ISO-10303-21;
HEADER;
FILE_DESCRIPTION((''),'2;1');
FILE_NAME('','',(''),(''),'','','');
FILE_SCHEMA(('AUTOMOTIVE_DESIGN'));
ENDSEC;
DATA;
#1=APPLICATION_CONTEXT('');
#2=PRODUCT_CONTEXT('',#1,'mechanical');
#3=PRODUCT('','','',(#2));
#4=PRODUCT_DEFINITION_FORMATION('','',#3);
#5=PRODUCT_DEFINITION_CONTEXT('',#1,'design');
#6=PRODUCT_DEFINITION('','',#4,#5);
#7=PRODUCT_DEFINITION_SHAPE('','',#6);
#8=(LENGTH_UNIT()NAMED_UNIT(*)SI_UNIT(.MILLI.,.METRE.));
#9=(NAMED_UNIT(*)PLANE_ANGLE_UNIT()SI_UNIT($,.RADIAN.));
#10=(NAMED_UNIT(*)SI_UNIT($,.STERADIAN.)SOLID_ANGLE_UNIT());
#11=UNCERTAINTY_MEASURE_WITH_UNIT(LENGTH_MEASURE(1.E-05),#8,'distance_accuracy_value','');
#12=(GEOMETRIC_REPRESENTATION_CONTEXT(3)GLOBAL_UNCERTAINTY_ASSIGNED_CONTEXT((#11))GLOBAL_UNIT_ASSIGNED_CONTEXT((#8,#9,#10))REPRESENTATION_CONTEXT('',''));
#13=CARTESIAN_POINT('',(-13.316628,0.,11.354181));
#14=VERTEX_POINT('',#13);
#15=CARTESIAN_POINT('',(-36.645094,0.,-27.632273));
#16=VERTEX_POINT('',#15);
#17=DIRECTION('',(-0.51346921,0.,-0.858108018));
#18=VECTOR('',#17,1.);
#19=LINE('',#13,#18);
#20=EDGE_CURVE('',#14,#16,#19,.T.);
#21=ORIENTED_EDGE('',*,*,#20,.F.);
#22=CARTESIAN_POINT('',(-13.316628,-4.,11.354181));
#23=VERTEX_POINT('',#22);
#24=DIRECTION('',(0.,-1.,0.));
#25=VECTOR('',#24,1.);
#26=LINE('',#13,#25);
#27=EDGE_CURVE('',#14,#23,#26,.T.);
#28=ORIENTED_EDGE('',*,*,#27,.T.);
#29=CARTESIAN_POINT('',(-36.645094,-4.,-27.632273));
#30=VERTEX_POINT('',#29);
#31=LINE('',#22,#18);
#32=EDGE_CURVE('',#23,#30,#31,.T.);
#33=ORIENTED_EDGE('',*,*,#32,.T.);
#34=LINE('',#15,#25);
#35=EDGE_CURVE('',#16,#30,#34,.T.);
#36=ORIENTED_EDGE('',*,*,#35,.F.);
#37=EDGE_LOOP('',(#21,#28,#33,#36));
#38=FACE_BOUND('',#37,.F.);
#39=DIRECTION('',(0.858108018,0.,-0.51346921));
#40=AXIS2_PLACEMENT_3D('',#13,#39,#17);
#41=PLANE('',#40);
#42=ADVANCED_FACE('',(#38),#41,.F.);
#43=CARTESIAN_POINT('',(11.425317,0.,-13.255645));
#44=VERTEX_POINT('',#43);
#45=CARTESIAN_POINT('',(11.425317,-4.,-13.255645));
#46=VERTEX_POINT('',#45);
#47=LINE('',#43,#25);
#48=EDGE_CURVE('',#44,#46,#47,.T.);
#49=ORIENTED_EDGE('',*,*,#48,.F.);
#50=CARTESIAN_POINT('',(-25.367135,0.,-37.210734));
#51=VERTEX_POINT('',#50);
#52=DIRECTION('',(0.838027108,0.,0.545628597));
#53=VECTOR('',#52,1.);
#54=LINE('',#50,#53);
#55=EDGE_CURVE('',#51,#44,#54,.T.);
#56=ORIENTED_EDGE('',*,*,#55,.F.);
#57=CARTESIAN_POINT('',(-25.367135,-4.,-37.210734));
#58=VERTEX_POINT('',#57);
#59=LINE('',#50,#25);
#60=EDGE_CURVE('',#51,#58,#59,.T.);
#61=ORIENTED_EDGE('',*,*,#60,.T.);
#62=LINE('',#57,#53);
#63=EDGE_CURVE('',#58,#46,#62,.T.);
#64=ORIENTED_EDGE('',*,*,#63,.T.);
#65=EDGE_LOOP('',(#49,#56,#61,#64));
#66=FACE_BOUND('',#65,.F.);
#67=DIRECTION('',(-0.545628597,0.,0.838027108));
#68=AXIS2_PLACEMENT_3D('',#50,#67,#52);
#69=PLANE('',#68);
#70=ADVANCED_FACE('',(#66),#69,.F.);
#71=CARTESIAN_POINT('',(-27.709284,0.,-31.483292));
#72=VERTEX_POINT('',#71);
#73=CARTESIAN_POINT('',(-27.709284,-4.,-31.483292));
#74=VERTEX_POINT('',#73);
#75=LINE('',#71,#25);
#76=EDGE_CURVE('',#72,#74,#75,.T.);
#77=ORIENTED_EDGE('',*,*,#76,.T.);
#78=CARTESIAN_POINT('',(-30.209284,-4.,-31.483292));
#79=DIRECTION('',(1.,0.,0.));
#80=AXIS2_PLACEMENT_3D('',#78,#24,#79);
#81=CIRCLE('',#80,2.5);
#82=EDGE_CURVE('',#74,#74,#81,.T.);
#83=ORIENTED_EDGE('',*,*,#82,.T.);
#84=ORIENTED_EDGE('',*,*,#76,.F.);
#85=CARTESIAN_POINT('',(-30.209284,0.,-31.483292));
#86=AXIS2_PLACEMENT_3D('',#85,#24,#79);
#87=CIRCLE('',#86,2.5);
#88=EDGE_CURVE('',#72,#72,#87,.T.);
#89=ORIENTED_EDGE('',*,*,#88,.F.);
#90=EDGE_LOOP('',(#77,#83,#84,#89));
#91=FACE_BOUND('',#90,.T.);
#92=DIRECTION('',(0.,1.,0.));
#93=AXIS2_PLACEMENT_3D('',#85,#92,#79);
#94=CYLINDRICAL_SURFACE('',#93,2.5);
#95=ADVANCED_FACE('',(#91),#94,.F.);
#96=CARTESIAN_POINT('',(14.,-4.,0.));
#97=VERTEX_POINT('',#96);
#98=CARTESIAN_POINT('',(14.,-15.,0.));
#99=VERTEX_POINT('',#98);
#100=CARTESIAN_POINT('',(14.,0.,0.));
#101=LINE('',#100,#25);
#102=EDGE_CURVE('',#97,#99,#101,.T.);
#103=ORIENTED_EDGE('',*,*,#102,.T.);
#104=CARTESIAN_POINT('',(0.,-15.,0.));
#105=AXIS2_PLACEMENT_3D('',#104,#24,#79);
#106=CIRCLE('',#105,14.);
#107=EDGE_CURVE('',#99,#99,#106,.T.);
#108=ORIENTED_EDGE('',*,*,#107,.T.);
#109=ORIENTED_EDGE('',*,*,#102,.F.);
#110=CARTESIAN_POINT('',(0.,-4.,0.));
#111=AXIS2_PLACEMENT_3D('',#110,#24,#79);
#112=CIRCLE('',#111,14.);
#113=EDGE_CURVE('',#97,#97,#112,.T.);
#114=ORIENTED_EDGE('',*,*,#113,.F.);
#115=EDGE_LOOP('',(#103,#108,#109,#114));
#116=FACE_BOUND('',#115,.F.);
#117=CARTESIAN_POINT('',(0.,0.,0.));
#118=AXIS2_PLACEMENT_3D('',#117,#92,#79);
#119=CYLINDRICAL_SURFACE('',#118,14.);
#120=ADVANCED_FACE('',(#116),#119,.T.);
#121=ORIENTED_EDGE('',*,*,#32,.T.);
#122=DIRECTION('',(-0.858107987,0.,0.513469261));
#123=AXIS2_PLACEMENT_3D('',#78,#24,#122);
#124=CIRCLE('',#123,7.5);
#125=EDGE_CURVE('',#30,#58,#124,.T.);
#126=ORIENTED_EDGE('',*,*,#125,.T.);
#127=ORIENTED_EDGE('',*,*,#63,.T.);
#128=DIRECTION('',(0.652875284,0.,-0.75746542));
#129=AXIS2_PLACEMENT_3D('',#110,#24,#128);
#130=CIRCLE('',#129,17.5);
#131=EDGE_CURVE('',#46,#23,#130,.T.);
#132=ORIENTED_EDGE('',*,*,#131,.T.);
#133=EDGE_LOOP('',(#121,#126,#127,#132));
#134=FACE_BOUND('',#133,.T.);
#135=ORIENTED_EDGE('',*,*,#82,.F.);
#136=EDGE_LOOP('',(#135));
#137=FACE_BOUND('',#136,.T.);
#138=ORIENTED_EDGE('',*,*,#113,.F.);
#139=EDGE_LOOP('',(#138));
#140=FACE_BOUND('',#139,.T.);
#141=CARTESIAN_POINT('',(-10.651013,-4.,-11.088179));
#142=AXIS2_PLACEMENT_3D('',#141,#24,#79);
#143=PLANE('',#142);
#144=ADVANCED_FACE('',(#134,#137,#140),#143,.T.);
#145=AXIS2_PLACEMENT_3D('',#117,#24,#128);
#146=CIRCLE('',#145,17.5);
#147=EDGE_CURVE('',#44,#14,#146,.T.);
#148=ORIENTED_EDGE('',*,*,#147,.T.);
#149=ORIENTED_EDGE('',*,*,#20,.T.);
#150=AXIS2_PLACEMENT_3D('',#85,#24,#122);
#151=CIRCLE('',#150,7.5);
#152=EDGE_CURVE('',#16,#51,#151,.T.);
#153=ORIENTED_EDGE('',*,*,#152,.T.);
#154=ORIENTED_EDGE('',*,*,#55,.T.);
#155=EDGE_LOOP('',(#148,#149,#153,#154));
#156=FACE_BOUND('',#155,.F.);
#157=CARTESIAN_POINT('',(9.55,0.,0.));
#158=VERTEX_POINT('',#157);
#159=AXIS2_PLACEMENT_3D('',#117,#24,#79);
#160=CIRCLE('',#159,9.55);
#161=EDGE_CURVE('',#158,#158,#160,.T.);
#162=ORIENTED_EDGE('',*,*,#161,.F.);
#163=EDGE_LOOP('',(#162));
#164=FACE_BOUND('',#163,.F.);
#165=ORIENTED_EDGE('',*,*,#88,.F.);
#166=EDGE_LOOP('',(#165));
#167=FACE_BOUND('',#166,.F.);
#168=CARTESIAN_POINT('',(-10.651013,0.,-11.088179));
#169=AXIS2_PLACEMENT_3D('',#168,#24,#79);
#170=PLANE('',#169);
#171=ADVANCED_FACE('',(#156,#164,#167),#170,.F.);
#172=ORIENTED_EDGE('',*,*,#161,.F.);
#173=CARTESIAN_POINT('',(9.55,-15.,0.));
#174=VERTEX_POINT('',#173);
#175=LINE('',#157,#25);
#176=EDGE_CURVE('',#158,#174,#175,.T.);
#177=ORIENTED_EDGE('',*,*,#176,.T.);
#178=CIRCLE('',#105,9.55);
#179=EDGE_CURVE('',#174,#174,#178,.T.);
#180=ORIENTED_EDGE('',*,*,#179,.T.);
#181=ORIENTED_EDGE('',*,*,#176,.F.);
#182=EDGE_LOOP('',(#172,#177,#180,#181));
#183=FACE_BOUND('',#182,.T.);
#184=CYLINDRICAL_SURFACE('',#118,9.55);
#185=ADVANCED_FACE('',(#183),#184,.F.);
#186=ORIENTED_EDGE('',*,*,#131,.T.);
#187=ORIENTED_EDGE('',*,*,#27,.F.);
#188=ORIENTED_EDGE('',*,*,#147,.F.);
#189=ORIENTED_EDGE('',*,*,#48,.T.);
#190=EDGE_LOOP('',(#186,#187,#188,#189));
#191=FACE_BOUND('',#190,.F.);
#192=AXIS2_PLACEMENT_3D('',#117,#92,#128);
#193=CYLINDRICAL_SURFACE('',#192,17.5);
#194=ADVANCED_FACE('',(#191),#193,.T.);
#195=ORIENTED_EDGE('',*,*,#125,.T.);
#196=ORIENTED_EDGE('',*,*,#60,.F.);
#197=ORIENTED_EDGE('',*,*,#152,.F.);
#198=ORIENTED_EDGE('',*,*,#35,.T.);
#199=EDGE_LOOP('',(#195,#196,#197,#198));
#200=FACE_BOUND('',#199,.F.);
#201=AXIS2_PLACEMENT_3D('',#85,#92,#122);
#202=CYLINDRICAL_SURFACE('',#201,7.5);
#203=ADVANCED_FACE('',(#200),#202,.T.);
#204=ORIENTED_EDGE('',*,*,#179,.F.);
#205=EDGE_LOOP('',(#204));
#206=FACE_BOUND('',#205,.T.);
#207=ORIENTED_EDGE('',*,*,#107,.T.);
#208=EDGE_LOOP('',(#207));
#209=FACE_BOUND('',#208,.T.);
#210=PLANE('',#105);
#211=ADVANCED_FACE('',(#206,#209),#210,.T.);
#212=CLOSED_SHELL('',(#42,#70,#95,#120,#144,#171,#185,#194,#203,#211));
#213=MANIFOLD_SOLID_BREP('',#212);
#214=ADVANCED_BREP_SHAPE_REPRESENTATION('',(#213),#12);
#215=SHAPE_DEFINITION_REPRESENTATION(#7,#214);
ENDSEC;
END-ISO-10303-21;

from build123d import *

# Parameters (mm, degrees)
F0_R     = 14
F0_R_2   = 9.55
F1_DEPTH = 15
F0_R_3   = 2.5
F2_DEPTH = 4


with BuildPart() as f1:
    # F0 (on Front) → F1 (new body)
    with BuildSketch(Plane.XZ):
        Circle(F0_R)
        Circle(F0_R_2, mode=Mode.SUBTRACT)
    extrude(amount=F1_DEPTH)

    # F0 (on Front) → F2 (join)
    with BuildSketch(Plane.XZ):
        with BuildLine():
            ThreePointArc((11.425317, -13.255645), (12.341197, 12.407451), (-13.316628, 11.354181))
            Line((-13.316628, 11.354181), (-36.645094, -27.632273))
            ThreePointArc((-36.645094, -27.632273), (-35.06435, -37.199789), (-25.367135, -37.210734))
            Line((-25.367135, -37.210734), (11.425317, -13.255645))
        make_face()
        with Locations((-30.209284, -31.483292)):
            Circle(F0_R_3, mode=Mode.SUBTRACT)
        Circle(F0_R, mode=Mode.SUBTRACT)
    extrude(amount=F2_DEPTH)


solid = f1.part
